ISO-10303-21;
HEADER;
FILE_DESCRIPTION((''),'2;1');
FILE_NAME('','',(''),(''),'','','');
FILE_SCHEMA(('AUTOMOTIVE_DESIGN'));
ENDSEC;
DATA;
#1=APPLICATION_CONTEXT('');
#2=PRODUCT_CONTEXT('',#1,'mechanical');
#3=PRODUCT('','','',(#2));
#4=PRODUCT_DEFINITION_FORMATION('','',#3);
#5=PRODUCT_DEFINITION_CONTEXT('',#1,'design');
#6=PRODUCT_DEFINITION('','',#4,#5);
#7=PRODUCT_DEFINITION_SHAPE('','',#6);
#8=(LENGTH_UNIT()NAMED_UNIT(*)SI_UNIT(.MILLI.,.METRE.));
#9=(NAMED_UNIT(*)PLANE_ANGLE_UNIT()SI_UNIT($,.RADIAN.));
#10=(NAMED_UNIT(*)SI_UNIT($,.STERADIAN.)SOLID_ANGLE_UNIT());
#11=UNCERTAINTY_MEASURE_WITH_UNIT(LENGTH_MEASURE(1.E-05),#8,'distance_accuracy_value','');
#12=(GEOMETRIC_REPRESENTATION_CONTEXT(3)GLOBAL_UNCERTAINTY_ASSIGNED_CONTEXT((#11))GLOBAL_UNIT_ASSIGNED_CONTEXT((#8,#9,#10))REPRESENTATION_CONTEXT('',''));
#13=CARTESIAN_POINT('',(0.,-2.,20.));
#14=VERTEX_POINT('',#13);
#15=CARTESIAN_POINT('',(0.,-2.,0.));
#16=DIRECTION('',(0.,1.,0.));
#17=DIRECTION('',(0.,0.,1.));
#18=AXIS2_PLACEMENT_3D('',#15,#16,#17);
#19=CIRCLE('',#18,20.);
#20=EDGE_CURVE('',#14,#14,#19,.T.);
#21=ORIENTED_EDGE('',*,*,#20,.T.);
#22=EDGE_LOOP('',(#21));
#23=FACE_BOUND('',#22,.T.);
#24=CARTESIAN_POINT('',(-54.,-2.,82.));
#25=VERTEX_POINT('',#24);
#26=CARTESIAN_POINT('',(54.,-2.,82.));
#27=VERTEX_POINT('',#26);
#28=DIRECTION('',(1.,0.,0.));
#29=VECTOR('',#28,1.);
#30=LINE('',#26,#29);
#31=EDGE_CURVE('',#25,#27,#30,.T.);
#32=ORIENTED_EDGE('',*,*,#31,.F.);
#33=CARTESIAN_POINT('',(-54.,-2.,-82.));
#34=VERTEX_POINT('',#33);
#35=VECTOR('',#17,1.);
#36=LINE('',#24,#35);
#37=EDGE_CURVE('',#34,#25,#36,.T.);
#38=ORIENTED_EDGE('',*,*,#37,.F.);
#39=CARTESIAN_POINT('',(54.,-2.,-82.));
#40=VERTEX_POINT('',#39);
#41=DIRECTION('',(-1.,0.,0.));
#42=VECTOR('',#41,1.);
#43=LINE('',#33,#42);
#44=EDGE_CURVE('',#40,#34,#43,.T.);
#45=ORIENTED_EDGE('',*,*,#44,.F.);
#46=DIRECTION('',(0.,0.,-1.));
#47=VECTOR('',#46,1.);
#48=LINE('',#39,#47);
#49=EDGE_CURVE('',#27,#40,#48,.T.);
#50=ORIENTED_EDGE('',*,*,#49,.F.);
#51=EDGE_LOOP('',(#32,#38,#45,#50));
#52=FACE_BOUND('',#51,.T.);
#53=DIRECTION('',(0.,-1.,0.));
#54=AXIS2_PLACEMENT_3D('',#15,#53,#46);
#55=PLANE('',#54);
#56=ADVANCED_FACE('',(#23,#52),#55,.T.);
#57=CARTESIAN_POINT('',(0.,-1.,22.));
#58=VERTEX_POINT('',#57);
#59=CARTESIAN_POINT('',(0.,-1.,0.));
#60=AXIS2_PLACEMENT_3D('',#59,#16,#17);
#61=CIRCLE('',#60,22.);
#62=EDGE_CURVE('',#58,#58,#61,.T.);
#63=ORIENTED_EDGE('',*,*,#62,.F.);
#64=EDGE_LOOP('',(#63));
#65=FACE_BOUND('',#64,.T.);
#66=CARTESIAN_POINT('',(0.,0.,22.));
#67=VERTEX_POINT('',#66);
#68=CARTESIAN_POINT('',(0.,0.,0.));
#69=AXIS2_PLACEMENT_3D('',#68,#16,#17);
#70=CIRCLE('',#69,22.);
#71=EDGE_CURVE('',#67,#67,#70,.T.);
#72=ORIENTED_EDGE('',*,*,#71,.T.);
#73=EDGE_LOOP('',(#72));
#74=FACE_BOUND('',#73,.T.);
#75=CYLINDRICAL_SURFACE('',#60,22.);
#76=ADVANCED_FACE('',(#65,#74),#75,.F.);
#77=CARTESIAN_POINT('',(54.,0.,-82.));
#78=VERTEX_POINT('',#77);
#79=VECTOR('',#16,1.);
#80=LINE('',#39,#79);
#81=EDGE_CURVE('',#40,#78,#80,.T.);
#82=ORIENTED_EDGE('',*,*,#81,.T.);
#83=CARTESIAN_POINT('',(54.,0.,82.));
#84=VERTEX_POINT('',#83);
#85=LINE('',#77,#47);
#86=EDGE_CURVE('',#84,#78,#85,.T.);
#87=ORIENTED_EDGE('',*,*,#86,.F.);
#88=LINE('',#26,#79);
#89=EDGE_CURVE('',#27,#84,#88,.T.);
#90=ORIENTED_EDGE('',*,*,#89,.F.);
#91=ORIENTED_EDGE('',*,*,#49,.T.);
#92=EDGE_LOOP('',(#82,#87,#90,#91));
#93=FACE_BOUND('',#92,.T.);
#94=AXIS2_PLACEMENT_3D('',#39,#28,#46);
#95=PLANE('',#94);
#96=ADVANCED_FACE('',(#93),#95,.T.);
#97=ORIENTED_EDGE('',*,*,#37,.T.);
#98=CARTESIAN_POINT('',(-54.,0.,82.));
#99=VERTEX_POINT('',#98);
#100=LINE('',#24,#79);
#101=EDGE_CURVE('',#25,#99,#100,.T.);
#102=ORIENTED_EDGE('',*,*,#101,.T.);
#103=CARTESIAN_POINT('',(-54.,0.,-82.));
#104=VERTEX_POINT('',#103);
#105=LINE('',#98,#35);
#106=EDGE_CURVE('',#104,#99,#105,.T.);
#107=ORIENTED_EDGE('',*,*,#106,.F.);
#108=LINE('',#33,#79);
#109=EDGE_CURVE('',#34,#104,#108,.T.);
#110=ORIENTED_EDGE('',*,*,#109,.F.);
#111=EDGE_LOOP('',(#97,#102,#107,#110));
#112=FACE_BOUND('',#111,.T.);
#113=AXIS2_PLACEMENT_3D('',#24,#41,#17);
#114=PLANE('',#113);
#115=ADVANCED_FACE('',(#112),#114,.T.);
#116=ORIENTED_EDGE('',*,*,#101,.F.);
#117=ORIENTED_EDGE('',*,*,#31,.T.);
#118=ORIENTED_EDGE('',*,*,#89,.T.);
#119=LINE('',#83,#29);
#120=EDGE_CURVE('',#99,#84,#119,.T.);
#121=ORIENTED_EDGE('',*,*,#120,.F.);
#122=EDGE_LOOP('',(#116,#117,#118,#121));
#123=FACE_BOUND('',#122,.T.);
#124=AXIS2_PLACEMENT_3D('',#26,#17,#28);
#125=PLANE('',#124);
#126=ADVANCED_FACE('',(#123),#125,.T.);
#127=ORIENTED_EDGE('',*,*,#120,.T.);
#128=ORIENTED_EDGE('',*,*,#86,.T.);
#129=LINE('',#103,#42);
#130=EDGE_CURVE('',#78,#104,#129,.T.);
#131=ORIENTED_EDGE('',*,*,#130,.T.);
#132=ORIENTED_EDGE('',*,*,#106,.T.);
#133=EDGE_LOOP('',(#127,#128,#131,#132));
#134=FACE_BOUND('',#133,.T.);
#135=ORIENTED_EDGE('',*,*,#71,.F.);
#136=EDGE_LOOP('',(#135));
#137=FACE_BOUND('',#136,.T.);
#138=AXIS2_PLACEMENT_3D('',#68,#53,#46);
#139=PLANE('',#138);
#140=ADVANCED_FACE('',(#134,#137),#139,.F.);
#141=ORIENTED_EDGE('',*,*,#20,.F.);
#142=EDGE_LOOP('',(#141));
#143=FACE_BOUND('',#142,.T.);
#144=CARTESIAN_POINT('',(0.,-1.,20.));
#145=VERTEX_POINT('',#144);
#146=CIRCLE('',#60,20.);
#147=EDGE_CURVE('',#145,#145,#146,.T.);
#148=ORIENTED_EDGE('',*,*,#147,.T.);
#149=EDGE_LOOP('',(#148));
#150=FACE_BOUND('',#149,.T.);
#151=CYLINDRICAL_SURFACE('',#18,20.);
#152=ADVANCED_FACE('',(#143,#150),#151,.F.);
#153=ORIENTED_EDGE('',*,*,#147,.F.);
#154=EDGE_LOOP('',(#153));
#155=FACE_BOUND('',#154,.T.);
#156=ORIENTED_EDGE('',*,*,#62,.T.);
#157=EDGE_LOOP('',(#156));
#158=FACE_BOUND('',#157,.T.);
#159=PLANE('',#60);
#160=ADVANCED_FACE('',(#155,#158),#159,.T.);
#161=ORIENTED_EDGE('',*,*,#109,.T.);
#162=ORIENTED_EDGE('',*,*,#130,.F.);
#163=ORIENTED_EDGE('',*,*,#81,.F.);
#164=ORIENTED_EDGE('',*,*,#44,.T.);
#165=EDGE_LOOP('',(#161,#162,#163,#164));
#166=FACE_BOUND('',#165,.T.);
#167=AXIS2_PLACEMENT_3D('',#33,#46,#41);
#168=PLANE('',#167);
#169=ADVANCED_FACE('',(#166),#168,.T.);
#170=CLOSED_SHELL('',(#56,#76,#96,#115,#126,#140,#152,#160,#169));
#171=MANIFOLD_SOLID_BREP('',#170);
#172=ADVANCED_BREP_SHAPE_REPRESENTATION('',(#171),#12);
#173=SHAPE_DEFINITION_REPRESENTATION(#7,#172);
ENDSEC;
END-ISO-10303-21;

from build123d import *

# Parameters (mm, degrees)
SKETCH1_W           = 108
SKETCH1_H           = 164
BOSS_EXTRUDE1_DEPTH = 2
SKETCH2_R           = 22
CUT_EXTRUDE1_DEPTH  = 1
SKETCH3_R           = 20
CUT_EXTRUDE2_DEPTH  = 2


with BuildPart() as part:
    # Sketch1 → Boss-Extrude1 (new body)
    with BuildSketch(Plane(origin=(0, 0, 0), x_dir=(1, 0, 0), z_dir=(0, 1, 0))):
        Rectangle(SKETCH1_W, SKETCH1_H)
    extrude(amount=-BOSS_EXTRUDE1_DEPTH)

    # Sketch2 → Cut-Extrude1 (cut)
    with BuildSketch(Plane(origin=(0, 0, 0), x_dir=(1, 0, 0), z_dir=(0, 1, 0))):
        Circle(SKETCH2_R)
    extrude(amount=-CUT_EXTRUDE1_DEPTH, mode=Mode.SUBTRACT)

    # Sketch3 → Cut-Extrude2 (cut, through all)
    with BuildSketch(Plane(origin=(0, -1, 0), x_dir=(1, 0, 0), z_dir=(0, 1, 0))):
        Circle(SKETCH3_R)
    extrude(amount=-CUT_EXTRUDE2_DEPTH, mode=Mode.SUBTRACT)


solid = part.part
